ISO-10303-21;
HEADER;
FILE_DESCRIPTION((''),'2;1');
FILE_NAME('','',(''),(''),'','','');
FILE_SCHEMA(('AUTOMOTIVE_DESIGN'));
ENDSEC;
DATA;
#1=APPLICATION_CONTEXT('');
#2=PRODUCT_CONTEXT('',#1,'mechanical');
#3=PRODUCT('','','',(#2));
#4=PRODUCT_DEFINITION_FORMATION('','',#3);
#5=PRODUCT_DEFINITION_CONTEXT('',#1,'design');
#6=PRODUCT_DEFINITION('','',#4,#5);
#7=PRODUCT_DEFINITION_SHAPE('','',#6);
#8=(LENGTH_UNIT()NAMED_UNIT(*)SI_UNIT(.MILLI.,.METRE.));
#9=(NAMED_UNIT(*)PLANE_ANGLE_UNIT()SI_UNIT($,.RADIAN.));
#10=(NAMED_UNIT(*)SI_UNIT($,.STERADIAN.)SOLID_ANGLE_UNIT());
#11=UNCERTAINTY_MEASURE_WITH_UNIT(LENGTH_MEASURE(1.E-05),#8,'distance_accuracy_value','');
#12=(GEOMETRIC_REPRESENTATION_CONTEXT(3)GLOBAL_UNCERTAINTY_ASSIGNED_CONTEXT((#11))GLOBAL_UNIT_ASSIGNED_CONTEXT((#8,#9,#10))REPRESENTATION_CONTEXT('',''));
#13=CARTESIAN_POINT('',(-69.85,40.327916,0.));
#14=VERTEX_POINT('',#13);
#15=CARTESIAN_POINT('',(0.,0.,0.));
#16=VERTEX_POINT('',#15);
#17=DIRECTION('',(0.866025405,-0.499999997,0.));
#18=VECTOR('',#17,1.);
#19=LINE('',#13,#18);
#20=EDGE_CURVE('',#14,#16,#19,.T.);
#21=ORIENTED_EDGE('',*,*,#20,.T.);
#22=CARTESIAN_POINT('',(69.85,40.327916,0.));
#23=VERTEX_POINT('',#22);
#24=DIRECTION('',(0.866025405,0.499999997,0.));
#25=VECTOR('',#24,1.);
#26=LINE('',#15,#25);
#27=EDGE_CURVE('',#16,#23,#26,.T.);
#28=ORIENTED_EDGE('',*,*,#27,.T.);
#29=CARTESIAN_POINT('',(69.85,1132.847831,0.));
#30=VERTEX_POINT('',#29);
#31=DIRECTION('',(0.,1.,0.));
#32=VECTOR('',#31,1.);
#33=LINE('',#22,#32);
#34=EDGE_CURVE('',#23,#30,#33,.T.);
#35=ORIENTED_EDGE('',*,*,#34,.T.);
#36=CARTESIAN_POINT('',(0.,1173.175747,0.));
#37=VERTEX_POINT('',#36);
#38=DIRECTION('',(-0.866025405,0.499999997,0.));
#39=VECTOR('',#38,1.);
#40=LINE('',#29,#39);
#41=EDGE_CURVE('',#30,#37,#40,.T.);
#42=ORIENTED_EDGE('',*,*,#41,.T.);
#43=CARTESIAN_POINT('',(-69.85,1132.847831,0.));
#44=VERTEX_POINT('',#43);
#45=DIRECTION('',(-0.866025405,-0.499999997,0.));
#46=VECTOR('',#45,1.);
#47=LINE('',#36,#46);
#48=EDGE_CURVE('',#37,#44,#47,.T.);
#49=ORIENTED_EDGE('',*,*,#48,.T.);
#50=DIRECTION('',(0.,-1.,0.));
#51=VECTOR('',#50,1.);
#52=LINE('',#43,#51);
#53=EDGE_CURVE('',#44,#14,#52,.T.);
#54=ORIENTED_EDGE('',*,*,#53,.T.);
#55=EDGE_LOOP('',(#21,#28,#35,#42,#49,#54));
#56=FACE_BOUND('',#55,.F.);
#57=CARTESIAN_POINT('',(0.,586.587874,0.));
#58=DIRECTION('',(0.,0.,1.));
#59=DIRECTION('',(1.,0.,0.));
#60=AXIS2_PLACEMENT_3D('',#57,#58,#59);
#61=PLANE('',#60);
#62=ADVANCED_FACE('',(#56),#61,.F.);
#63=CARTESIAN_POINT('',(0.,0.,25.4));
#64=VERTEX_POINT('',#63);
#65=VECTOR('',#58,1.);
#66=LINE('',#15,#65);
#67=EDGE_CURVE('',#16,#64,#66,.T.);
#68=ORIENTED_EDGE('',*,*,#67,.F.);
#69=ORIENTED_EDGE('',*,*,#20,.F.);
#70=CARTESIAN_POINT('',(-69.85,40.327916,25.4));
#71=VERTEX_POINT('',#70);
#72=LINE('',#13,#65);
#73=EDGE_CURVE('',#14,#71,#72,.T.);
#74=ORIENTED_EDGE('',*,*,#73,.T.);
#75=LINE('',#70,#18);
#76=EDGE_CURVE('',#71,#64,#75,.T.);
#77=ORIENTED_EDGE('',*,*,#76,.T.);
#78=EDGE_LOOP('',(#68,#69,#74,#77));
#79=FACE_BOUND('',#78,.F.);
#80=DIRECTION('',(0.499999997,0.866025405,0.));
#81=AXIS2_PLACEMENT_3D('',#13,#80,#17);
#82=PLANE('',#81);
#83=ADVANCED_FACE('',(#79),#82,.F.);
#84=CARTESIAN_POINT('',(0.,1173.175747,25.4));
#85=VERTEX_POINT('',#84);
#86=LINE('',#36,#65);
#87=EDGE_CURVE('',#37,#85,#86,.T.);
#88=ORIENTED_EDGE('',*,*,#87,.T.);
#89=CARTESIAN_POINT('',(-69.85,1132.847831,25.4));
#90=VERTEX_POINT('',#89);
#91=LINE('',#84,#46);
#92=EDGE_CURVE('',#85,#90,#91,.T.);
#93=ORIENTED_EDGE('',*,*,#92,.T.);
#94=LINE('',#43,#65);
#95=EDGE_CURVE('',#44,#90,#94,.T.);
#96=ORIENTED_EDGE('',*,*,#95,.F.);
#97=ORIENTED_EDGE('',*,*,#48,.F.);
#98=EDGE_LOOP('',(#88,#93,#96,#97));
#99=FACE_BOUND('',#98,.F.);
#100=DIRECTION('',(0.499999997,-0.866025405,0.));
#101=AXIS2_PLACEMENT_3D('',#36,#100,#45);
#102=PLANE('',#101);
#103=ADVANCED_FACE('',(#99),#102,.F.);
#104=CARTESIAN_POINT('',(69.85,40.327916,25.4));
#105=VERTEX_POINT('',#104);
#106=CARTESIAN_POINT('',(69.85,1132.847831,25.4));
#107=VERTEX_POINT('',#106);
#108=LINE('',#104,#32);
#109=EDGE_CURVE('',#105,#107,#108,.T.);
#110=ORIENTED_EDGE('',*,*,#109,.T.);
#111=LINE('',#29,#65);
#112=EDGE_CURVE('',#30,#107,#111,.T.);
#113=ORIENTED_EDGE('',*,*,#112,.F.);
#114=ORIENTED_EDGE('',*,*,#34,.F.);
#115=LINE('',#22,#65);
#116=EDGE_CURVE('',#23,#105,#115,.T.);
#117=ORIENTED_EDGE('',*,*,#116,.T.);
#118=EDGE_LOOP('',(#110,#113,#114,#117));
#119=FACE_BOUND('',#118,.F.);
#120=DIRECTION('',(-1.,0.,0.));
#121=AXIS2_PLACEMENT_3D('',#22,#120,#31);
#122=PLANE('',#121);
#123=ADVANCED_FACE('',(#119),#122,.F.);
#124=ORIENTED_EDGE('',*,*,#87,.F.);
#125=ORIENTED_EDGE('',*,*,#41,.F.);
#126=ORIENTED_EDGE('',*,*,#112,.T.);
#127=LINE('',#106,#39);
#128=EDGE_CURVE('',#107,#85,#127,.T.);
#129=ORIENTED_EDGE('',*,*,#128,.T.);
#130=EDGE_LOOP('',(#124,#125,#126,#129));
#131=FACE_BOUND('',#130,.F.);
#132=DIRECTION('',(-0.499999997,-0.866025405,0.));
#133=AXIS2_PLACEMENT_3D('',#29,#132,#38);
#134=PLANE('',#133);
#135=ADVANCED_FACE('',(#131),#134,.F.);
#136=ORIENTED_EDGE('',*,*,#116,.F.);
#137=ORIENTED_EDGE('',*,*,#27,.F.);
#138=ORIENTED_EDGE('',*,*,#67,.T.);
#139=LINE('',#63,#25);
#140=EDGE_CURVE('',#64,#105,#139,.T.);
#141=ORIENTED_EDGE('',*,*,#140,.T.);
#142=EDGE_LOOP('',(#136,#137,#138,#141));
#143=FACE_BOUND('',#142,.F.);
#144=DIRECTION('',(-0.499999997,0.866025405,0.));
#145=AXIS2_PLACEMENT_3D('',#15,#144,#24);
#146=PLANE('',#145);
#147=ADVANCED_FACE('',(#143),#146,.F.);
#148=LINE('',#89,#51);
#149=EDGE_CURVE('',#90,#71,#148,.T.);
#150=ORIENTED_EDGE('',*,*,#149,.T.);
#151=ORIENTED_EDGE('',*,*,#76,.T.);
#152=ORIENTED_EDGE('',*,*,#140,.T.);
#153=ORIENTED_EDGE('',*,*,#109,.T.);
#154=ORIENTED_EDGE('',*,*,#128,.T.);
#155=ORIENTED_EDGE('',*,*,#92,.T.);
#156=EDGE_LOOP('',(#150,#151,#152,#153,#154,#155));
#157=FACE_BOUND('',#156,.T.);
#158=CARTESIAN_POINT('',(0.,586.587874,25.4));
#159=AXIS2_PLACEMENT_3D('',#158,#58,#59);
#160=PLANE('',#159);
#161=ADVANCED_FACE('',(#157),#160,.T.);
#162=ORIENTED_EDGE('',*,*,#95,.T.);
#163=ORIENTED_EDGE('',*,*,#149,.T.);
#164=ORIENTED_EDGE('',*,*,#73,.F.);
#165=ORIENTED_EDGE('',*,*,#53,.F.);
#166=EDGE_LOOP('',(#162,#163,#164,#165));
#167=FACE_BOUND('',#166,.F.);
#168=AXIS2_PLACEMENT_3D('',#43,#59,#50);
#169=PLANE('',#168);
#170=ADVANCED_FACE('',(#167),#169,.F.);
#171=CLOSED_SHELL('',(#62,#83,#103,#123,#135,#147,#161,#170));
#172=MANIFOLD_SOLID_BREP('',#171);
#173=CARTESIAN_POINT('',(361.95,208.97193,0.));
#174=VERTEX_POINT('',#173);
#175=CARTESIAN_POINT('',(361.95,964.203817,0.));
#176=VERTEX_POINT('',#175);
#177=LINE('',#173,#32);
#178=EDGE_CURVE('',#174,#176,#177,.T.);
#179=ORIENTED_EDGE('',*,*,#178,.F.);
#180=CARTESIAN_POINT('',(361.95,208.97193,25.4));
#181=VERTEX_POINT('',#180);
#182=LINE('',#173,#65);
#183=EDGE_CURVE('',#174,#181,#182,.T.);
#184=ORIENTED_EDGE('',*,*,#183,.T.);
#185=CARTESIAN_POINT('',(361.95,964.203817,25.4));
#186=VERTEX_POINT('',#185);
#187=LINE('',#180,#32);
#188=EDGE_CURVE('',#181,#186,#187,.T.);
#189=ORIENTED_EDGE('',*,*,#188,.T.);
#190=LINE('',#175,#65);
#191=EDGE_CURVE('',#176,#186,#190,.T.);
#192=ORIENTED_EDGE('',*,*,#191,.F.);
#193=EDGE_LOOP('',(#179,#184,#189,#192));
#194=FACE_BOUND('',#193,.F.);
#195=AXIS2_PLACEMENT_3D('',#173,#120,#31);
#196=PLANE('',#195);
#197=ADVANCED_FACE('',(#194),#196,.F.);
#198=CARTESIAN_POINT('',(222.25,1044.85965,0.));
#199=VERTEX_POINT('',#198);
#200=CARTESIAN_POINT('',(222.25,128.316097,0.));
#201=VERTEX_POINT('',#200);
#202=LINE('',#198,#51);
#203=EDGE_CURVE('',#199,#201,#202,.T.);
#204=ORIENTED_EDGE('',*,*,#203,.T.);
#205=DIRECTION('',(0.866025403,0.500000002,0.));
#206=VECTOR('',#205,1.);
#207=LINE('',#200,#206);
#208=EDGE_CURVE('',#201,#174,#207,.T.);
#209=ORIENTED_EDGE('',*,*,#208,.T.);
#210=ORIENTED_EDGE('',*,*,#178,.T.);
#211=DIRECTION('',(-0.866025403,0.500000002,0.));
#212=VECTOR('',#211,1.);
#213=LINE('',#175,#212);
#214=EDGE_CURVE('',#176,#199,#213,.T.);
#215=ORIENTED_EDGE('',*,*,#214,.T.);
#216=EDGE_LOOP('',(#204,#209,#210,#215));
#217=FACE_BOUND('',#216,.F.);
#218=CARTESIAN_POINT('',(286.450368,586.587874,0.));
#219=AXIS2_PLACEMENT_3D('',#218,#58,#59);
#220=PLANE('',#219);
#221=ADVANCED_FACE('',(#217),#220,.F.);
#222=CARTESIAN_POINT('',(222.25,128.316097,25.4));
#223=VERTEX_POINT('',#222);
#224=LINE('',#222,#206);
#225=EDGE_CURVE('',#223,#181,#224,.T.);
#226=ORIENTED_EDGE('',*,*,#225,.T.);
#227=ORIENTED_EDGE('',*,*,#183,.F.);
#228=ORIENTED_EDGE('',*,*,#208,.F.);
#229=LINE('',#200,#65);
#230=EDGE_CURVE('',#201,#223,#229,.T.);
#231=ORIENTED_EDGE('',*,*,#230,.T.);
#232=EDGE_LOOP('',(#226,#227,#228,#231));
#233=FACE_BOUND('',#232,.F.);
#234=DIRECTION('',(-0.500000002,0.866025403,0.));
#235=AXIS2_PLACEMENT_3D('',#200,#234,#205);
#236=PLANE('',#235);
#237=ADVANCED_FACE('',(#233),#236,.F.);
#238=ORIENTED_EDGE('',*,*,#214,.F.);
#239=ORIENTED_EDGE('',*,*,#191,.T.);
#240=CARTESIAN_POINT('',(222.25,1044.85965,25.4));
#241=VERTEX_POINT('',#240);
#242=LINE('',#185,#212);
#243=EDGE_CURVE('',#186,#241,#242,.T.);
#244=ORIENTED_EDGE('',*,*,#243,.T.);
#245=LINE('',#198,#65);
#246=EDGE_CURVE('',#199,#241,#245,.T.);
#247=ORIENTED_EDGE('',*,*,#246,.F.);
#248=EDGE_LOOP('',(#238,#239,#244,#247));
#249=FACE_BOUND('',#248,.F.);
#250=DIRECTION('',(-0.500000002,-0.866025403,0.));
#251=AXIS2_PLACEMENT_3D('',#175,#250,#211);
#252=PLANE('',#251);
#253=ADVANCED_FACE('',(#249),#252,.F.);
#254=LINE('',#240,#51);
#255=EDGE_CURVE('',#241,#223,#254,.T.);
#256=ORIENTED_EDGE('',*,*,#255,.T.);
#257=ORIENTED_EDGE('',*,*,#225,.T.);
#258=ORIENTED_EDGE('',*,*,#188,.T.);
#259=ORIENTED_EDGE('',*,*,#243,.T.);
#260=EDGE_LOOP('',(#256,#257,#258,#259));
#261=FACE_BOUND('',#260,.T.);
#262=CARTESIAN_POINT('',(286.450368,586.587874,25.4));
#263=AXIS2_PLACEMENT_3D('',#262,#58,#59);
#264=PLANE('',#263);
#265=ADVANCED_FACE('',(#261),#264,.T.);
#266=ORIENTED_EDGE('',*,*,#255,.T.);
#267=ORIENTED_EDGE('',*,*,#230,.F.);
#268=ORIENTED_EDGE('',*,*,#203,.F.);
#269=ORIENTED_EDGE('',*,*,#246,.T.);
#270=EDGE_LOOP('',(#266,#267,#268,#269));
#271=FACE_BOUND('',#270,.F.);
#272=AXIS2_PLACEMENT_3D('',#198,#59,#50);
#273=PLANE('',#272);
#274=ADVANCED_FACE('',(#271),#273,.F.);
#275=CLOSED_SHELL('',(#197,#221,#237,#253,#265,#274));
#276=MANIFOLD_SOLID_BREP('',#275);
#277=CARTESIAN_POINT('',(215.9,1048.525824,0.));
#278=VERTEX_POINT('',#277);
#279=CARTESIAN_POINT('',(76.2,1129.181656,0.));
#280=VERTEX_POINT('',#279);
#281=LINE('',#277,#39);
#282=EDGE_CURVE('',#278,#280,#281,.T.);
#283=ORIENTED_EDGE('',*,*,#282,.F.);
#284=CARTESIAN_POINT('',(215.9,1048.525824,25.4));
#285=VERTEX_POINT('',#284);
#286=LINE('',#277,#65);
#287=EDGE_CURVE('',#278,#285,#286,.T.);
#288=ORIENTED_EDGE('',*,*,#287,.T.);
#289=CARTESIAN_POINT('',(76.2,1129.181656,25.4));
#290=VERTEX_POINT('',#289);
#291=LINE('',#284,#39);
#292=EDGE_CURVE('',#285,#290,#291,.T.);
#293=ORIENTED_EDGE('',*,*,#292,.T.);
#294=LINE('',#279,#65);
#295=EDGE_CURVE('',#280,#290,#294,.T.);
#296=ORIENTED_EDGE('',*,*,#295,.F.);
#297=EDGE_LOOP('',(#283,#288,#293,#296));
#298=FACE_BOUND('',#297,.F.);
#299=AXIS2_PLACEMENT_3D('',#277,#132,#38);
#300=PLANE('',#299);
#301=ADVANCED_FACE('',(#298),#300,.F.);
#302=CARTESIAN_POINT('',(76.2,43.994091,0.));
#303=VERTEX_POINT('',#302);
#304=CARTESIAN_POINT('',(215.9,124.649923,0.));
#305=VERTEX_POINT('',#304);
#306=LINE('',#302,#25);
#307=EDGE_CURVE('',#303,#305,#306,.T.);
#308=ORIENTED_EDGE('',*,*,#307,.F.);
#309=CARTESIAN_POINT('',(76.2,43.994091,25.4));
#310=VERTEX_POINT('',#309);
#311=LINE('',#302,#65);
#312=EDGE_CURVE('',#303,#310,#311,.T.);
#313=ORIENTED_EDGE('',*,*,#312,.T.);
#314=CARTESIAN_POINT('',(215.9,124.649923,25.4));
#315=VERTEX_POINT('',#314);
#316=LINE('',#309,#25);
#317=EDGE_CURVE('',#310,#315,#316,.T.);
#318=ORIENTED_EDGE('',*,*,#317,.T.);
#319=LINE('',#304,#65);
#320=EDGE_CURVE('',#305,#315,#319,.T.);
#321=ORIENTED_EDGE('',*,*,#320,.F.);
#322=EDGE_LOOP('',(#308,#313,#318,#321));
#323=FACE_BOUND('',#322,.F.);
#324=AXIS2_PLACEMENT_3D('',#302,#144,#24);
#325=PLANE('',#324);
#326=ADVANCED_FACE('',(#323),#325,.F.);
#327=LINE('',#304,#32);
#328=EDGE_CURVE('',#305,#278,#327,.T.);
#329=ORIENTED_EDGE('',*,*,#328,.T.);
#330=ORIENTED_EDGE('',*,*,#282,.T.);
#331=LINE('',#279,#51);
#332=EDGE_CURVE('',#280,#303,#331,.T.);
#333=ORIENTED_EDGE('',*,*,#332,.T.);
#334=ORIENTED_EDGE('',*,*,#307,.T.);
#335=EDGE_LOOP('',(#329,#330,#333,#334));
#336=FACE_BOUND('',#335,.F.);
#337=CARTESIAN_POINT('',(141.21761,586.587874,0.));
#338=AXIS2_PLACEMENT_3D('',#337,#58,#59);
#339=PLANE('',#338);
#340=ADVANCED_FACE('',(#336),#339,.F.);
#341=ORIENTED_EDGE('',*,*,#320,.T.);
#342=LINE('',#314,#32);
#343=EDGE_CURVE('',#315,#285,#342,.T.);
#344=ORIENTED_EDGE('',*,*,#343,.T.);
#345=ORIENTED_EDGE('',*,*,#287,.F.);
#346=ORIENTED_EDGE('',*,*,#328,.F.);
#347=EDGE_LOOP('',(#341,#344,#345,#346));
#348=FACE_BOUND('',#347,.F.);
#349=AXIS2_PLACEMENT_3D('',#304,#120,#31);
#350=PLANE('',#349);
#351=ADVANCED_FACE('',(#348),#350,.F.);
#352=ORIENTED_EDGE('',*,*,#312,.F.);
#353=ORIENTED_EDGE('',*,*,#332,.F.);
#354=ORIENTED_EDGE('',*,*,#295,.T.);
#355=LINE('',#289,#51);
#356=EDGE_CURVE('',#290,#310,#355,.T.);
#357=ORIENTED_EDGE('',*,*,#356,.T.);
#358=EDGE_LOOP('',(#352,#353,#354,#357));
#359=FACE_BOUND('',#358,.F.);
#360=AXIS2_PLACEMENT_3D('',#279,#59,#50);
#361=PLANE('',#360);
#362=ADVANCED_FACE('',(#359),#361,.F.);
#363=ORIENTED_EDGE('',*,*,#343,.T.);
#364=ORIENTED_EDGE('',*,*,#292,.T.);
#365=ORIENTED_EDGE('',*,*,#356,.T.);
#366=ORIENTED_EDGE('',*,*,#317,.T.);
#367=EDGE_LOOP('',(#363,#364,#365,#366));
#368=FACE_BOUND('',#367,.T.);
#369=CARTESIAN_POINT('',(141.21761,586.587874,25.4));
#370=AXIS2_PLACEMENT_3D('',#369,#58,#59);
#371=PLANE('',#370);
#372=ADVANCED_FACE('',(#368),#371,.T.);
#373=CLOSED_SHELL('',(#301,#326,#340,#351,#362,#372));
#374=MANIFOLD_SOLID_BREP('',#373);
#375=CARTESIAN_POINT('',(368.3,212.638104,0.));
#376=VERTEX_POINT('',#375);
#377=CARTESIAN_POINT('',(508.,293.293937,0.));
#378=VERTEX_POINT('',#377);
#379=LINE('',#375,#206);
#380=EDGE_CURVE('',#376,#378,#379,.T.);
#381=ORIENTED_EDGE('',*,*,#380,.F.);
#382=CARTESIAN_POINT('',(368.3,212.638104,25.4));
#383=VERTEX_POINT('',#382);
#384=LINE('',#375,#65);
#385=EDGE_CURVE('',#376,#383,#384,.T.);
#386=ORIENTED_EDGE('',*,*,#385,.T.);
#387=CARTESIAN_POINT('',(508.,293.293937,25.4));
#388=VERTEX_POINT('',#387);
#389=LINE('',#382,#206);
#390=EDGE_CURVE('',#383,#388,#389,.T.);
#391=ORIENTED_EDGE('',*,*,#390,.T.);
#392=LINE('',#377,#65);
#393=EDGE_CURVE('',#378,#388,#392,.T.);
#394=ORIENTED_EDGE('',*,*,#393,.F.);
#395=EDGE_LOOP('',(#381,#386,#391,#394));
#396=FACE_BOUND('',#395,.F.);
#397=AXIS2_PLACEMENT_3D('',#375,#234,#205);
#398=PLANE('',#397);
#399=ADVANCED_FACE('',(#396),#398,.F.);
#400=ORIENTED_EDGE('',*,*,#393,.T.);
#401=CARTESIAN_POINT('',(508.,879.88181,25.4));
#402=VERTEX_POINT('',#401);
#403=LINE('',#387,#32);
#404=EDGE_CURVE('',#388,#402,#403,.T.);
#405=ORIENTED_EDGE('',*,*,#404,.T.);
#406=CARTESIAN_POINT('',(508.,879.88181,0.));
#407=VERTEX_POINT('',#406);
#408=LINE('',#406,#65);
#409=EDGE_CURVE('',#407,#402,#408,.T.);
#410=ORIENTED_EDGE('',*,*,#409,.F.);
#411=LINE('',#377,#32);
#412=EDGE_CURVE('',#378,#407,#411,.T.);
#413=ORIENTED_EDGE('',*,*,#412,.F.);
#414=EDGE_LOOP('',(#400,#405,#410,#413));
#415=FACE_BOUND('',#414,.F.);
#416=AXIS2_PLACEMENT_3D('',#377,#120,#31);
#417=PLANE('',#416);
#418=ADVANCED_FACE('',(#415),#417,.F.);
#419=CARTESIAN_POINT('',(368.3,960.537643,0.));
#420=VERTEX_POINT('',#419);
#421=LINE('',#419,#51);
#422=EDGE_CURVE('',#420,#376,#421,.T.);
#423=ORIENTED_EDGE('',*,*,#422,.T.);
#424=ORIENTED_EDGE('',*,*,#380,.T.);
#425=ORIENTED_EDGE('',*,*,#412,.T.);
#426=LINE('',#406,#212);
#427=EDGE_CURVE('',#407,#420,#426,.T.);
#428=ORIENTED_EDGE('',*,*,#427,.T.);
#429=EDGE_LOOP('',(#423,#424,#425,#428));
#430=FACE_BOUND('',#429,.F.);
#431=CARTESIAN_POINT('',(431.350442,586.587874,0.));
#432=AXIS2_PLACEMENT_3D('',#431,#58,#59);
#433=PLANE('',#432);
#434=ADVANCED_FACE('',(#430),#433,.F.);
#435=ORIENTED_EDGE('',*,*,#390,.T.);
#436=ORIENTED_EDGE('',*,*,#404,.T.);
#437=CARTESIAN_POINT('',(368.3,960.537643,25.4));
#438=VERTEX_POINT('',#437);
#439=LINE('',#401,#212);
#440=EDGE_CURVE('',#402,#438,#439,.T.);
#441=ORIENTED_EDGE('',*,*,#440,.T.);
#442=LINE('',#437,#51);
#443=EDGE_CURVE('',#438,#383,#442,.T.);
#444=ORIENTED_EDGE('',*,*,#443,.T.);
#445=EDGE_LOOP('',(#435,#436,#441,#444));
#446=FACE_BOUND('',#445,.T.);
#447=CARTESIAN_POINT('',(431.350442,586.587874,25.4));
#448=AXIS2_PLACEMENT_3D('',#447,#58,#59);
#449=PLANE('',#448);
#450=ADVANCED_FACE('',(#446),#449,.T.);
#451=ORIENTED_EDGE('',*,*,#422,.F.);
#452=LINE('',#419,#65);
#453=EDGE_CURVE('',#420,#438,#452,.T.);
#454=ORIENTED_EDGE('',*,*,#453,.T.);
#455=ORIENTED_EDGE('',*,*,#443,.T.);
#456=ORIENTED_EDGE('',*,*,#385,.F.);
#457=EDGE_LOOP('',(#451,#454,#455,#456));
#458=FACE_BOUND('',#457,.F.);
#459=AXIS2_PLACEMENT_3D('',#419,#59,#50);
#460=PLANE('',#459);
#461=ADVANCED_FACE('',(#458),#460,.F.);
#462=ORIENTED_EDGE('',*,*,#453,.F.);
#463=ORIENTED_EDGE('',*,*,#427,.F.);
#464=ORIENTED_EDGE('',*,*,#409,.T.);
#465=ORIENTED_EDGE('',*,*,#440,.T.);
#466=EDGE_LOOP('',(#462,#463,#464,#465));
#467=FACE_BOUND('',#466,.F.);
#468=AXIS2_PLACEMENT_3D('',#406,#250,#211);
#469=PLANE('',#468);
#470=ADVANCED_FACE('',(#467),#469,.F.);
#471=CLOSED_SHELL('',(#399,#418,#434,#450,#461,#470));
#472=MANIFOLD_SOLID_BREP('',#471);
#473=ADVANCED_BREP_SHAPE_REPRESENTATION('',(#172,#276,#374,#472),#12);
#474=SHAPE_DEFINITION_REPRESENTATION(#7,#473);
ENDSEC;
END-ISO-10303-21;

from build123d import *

# Parameters (mm, degrees)
F1_DEPTH = 25.4
F3_DEPTH = 25.4
F5_DEPTH = 25.4
F7_DEPTH = 25.4


with BuildPart() as f1:
    # F0 (on Top) → F1 (new body)
    with BuildSketch(Plane.XY):
        Polygon((-69.85, 40.327916), (0, 0), (69.85, 40.327916), (69.85, 1132.847831), (0, 1173.175747), (-69.85, 1132.847831), align=None)
    extrude(amount=F1_DEPTH)


with BuildPart() as f3:
    # F2 (on Top) → F3 (new body)
    with BuildSketch(Plane.XY):
        Polygon((76.2, 1129.181656), (76.2, 43.994091), (215.9, 124.649923), (215.9, 1048.525824), align=None)
    extrude(amount=F3_DEPTH)


with BuildPart() as f5:
    # F4 (on Top) → F5 (new body)
    with BuildSketch(Plane.XY):
        Polygon((361.95, 964.203817), (222.25, 1044.85965), (222.25, 128.316097), (361.95, 208.97193), align=None)
    extrude(amount=F5_DEPTH)


with BuildPart() as f7:
    # F6 (on Top) → F7 (new body)
    with BuildSketch(Plane.XY):
        Polygon((368.3, 960.537643), (368.3, 212.638104), (508, 293.293937), (508, 879.88181), align=None)
    extrude(amount=F7_DEPTH)


solid = Compound([f1.part, f3.part, f5.part, f7.part])
